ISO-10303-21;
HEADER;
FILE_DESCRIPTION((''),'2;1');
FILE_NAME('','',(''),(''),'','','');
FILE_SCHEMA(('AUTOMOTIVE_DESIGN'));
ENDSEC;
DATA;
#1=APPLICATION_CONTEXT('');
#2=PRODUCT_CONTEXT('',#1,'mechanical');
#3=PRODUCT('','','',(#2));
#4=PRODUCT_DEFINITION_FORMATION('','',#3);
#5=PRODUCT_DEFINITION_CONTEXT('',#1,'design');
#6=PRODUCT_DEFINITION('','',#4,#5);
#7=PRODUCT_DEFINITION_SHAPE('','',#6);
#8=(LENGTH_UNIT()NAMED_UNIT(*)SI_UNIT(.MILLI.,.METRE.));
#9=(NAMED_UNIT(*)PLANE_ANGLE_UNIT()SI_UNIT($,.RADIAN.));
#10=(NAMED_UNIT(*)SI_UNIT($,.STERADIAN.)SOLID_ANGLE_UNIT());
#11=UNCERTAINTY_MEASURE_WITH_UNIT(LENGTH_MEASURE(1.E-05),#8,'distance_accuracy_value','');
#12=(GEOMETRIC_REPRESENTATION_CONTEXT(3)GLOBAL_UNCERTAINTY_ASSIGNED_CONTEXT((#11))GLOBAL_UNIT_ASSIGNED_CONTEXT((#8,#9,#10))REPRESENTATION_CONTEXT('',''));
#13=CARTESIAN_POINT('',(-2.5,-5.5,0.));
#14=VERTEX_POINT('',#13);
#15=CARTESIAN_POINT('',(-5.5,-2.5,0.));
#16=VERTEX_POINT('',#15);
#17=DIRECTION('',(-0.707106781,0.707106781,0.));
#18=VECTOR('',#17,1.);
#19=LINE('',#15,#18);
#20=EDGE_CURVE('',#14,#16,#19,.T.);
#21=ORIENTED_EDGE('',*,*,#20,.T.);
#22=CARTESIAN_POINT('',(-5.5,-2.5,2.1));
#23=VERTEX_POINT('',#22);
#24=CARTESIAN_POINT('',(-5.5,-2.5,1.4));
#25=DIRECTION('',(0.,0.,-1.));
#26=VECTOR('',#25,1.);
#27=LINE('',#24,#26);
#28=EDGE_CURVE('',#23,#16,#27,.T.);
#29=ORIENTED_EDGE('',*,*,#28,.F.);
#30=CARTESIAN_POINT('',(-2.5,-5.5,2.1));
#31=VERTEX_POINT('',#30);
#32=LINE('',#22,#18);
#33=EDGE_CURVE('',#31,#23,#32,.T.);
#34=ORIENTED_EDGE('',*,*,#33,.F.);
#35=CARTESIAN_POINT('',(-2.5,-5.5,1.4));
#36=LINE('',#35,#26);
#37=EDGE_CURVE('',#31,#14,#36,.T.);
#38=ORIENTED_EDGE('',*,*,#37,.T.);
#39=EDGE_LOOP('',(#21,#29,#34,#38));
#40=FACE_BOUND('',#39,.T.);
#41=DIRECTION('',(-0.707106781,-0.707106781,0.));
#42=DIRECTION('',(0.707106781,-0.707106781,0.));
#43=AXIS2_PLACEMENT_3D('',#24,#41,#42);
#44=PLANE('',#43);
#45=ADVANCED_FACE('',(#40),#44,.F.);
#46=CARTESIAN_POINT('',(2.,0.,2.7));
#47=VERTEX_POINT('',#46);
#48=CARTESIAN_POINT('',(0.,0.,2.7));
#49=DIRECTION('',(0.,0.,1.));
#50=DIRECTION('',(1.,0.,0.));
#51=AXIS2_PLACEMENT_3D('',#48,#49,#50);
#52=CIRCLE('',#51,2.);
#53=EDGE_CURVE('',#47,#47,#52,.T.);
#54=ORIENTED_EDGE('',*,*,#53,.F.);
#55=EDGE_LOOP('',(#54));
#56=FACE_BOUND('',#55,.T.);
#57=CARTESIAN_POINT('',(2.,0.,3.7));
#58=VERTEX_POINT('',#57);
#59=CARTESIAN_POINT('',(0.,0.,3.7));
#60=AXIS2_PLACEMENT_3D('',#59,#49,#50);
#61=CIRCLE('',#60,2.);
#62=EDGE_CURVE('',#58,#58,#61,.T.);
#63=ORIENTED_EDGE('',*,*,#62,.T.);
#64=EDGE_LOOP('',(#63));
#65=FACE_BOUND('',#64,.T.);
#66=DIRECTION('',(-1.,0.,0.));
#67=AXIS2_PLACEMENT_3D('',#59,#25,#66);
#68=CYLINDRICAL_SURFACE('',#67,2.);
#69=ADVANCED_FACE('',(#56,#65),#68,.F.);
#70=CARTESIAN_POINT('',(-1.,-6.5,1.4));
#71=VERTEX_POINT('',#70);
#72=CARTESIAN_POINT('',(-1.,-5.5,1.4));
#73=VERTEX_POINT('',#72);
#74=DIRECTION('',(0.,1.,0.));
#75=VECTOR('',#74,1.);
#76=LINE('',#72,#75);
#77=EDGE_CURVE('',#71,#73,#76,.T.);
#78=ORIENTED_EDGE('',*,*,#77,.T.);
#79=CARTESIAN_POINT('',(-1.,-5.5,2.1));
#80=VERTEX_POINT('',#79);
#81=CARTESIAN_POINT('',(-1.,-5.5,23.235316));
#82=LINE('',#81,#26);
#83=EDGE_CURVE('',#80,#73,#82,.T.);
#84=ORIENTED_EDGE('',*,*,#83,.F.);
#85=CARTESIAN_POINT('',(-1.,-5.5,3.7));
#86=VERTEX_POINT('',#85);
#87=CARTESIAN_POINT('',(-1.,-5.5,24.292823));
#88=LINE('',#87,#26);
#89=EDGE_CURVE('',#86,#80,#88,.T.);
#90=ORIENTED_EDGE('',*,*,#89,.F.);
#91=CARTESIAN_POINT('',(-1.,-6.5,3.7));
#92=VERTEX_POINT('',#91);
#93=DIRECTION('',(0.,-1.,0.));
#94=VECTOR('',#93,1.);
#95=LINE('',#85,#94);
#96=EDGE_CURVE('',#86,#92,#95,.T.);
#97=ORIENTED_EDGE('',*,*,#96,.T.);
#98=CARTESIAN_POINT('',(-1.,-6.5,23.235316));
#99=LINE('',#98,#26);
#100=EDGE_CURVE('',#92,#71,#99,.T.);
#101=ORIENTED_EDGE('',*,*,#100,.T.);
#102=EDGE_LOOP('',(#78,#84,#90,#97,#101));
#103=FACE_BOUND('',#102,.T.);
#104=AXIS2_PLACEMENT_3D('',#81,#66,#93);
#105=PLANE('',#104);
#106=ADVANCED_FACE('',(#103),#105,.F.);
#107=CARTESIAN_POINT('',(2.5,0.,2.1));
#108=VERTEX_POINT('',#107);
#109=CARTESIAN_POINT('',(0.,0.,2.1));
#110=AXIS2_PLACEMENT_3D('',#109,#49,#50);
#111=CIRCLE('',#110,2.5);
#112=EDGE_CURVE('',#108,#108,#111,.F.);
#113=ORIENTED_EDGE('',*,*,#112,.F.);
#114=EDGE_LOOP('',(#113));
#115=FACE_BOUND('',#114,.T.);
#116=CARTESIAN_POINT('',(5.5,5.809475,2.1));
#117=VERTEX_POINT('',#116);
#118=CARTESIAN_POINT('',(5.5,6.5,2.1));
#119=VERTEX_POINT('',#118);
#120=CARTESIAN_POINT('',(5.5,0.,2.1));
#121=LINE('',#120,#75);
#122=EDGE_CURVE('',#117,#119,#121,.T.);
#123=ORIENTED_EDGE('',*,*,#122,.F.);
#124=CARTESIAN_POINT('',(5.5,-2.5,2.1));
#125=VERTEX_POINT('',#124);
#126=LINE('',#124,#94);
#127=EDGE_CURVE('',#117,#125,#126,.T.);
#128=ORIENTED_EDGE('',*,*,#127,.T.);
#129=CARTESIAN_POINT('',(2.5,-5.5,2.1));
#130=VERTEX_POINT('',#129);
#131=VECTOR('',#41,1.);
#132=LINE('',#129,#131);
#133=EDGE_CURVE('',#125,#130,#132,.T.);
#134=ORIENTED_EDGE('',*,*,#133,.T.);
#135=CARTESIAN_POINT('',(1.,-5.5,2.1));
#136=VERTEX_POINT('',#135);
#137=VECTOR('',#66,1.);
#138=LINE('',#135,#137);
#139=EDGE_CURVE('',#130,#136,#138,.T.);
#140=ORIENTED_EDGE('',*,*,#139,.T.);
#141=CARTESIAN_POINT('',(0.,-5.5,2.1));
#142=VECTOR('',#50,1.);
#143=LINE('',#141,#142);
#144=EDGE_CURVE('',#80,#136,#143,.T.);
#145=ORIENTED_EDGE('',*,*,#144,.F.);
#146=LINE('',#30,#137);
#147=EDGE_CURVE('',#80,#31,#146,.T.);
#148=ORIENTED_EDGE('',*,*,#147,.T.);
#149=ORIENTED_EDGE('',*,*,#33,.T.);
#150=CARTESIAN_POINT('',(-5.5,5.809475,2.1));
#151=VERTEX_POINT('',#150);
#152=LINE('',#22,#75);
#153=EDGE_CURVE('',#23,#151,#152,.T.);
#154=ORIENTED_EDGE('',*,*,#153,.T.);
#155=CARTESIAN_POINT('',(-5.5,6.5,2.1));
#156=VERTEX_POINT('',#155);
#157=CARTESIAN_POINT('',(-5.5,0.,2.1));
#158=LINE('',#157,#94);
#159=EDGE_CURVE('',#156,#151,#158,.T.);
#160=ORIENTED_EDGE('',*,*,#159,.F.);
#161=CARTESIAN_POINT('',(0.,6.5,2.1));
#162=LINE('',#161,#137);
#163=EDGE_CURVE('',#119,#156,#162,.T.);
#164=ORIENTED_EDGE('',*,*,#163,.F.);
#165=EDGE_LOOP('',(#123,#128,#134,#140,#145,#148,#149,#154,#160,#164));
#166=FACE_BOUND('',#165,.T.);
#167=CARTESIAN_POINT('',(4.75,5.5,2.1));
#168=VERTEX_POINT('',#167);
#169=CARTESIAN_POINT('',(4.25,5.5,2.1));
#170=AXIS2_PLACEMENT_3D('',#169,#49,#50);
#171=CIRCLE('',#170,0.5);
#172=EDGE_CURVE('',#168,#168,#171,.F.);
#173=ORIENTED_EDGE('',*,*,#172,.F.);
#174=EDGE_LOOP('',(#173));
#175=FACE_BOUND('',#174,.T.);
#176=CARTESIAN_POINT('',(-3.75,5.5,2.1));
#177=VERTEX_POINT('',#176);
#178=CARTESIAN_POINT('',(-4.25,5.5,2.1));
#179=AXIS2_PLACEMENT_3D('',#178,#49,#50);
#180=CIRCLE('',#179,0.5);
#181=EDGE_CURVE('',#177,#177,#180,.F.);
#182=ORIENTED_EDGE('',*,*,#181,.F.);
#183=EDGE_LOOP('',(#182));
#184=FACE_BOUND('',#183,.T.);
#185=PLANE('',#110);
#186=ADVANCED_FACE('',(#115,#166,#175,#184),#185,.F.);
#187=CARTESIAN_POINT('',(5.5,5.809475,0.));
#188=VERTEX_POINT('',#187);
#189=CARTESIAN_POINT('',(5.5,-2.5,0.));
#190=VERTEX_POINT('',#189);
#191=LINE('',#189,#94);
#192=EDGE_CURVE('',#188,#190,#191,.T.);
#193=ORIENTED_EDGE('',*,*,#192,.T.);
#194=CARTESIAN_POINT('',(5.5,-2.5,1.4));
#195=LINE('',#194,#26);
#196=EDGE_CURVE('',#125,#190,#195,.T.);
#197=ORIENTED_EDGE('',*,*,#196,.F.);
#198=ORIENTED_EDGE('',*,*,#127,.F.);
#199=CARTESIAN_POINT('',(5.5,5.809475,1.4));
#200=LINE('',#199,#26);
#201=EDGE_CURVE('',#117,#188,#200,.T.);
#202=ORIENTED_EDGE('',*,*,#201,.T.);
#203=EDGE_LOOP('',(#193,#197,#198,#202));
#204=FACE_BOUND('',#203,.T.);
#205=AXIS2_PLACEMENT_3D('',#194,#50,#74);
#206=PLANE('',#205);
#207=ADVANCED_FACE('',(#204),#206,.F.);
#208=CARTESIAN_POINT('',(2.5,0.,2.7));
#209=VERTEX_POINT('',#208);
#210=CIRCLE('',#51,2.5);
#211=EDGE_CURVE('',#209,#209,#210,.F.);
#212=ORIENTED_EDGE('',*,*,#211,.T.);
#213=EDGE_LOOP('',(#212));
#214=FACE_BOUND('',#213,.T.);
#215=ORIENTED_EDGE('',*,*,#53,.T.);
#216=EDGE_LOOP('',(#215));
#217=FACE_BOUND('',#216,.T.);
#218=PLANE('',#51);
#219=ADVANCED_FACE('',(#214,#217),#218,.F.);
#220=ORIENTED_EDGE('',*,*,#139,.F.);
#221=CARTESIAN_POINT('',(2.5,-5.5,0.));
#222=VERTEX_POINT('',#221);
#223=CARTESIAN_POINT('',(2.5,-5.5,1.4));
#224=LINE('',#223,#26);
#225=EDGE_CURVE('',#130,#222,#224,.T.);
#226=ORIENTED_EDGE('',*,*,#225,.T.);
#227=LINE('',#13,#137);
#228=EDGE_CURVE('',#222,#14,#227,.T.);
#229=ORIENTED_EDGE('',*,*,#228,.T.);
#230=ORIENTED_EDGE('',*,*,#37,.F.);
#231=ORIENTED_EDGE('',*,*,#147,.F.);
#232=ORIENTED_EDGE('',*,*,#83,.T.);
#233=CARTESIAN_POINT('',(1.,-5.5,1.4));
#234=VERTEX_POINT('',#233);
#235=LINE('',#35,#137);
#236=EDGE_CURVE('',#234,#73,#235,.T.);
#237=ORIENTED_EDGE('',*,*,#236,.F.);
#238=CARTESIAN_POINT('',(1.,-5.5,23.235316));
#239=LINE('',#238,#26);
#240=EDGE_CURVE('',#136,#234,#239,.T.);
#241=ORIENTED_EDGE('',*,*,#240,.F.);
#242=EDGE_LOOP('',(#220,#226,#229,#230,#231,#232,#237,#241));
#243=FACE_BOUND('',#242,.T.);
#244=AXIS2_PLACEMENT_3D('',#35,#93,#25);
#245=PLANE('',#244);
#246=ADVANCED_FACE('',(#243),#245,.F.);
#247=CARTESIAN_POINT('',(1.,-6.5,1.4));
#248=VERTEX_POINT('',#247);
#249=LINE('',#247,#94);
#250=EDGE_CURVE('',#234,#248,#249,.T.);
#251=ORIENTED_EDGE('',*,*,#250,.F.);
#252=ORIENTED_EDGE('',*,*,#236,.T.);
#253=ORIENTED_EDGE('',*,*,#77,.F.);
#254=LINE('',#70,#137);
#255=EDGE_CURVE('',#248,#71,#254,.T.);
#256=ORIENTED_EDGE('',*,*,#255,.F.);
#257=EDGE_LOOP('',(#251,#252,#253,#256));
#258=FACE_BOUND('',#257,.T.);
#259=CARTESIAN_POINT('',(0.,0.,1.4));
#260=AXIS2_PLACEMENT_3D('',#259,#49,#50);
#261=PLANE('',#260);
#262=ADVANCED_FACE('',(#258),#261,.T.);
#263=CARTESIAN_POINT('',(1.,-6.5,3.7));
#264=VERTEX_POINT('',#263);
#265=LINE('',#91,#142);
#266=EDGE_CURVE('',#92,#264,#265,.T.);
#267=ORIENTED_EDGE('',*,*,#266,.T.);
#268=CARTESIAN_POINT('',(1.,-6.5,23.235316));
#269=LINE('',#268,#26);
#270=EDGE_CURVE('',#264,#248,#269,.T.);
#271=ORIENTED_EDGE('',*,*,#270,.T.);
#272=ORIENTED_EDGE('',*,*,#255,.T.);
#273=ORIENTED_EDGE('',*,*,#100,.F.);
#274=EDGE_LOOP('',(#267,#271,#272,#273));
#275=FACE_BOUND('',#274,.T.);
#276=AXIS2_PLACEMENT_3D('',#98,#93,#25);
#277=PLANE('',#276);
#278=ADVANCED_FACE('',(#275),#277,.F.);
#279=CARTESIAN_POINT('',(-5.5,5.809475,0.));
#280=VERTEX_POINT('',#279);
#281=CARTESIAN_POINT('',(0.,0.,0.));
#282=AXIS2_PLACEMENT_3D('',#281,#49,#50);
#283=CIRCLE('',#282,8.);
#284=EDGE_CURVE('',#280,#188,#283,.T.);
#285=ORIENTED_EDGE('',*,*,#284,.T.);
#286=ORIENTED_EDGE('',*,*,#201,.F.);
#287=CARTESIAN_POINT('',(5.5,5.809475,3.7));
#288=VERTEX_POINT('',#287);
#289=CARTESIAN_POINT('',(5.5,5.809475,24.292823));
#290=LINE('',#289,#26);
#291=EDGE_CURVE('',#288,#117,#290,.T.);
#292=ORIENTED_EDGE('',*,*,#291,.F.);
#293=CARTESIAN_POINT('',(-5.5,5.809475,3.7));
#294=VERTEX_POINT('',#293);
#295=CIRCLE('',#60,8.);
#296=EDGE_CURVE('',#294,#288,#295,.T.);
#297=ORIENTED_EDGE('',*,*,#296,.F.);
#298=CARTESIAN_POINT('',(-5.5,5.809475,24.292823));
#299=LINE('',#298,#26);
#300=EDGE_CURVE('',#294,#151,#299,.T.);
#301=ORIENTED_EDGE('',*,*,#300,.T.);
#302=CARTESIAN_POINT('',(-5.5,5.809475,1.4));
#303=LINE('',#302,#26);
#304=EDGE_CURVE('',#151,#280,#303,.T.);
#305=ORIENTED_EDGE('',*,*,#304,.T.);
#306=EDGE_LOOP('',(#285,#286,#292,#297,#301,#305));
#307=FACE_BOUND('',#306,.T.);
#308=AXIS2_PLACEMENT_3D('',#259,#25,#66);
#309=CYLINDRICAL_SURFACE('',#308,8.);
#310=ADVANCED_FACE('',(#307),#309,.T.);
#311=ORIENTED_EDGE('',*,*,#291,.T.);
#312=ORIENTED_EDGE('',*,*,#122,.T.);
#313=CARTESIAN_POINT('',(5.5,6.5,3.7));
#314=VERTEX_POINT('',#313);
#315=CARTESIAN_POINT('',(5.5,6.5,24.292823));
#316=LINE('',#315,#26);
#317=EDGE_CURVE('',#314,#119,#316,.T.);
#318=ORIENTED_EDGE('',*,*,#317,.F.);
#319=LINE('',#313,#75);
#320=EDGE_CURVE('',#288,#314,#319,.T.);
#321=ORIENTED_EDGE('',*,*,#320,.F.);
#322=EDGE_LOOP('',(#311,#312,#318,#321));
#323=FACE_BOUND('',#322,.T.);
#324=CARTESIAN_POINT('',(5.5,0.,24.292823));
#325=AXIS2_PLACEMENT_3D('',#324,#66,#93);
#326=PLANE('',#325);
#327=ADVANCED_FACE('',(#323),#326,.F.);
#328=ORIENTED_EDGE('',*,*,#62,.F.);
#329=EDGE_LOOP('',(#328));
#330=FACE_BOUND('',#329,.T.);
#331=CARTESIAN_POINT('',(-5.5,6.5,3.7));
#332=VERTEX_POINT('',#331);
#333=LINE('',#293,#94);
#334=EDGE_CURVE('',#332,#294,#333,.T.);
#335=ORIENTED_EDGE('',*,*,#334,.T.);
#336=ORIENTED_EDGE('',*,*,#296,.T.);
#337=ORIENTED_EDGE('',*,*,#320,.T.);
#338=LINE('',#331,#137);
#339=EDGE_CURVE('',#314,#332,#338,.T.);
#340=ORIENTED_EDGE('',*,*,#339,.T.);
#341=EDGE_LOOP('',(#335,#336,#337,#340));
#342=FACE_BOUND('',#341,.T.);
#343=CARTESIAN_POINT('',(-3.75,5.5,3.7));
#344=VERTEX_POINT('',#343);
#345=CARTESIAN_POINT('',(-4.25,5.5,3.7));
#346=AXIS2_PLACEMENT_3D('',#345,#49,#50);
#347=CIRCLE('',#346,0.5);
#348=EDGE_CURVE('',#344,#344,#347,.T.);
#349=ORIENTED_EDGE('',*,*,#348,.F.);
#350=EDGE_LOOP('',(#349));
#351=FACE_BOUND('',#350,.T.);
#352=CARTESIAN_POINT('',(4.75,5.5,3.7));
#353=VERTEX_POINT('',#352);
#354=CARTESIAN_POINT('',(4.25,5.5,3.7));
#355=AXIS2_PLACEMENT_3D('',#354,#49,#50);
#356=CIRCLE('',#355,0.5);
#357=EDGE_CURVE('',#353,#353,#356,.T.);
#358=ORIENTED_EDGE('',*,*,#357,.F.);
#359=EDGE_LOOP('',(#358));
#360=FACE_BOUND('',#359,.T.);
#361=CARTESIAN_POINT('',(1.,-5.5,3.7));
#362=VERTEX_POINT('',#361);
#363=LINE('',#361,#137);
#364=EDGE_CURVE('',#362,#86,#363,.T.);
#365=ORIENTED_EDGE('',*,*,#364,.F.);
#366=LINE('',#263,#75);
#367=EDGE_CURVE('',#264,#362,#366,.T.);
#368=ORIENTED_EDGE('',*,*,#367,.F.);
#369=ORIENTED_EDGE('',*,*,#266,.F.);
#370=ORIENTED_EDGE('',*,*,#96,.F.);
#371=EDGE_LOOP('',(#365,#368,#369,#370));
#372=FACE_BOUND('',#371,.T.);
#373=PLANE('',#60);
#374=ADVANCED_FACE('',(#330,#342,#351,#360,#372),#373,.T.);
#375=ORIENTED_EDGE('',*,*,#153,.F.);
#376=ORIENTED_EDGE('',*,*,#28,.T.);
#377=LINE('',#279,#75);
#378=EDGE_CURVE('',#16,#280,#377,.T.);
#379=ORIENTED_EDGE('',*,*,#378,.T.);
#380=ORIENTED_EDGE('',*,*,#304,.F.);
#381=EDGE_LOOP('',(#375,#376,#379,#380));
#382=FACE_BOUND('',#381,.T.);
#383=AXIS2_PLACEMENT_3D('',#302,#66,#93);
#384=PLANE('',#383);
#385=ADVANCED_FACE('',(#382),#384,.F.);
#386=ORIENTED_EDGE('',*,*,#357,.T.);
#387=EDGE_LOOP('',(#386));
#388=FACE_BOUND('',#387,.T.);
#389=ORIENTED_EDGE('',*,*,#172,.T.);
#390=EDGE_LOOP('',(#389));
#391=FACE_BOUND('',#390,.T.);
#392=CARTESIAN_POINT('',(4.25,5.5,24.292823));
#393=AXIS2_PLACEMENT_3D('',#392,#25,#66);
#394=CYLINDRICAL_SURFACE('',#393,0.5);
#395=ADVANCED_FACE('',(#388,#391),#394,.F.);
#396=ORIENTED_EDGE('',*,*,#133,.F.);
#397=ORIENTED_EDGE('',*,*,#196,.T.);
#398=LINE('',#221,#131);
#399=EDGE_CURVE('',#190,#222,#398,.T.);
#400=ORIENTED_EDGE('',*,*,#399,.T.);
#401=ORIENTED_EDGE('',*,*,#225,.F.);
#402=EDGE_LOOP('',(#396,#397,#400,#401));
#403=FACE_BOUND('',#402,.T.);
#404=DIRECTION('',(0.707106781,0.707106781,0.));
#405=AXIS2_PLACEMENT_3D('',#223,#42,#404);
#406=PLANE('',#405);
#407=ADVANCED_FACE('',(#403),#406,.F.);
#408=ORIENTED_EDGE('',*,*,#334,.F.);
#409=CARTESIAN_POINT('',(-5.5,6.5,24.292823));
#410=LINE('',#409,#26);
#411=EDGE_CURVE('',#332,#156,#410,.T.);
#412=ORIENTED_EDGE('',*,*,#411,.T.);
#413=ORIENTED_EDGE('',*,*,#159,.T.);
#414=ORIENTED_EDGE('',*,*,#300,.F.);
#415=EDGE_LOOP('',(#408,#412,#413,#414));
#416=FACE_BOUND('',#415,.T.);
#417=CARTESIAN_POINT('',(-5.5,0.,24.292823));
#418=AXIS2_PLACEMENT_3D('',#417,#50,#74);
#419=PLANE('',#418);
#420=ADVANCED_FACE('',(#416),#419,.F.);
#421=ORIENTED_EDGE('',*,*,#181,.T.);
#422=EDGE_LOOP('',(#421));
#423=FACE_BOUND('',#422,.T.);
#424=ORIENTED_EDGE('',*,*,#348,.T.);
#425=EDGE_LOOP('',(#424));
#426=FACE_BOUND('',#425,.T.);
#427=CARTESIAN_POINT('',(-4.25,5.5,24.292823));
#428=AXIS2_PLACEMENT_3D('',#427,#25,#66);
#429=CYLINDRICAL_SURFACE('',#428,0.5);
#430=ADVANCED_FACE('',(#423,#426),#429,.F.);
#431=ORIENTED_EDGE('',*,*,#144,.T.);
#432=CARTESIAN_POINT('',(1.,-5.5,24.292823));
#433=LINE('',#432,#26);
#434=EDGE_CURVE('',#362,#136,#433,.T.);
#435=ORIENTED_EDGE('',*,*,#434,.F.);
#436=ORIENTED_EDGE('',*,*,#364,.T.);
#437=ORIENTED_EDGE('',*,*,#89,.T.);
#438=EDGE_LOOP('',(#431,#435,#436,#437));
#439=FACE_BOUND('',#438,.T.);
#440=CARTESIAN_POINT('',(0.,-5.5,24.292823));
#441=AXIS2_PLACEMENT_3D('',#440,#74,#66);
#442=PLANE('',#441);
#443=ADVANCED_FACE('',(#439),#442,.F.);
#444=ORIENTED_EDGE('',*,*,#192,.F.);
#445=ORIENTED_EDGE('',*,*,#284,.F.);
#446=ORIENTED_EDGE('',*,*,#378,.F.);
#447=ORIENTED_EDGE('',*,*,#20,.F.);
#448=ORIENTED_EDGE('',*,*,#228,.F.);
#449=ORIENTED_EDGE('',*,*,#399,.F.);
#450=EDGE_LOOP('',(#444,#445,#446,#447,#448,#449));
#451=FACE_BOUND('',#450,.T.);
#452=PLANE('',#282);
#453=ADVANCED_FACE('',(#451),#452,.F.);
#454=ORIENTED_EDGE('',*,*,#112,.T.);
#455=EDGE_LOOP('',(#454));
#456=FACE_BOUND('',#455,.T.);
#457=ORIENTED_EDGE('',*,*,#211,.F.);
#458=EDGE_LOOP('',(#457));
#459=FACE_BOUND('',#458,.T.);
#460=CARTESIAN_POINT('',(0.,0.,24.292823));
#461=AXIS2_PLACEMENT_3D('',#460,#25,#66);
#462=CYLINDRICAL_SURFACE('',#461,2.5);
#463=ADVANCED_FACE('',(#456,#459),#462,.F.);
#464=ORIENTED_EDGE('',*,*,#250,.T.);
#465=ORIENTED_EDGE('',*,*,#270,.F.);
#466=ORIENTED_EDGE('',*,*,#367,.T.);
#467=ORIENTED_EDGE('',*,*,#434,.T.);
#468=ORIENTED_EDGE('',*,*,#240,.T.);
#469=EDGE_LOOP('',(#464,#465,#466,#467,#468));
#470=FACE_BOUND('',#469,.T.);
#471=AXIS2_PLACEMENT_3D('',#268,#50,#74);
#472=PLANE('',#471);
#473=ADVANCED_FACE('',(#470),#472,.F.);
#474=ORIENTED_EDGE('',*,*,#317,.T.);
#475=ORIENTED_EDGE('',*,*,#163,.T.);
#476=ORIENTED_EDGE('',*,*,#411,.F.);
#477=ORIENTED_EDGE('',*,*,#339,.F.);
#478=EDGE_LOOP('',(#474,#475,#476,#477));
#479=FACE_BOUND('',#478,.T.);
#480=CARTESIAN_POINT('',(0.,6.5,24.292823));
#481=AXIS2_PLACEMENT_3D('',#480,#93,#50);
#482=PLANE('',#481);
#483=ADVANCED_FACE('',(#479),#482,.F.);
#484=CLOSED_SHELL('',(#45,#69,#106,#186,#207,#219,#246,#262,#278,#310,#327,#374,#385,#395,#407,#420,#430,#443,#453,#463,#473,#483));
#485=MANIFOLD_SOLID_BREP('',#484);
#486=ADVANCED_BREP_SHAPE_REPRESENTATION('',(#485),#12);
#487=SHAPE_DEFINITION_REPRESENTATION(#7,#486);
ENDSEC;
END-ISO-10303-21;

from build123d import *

# Parameters (mm, degrees)
BOSS_EXTRUDE1_DEPTH = 1.4
BOSS_EXTRUDE2_DEPTH = 0.7
SKETCH3_R           = 0.5
SKETCH3_R_2         = 2.5
BOSS_EXTRUDE3_DEPTH = 0.6
SKETCH4_R           = 2
SKETCH4_R_2         = 0.5
SKETCH4_W           = 2
SKETCH4_H           = 1
BOSS_EXTRUDE4_DEPTH = 1


with BuildPart() as part:
    # Sketch1 → Boss-Extrude1 (new body)
    with BuildSketch(Plane.XY):
        with BuildLine():
            Line((-5.5, 5.809475019), (-5.5, -2.5))
            Line((-5.5, -2.5), (-2.5, -5.5))
            Line((-2.5, -5.5), (2.5, -5.5))
            Line((2.5, -5.5), (5.5, -2.5))
            Line((5.5, -2.5), (5.5, 5.809475019))
            ThreePointArc((5.5, 5.809475019), (0, -8), (-5.5, 5.809475019))
        make_face()
    extrude(amount=BOSS_EXTRUDE1_DEPTH)

    # Sketch2 → Boss-Extrude2 (add)
    with BuildSketch(Plane.XY.offset(1.4)):
        with BuildLine():
            Line((-1, -5.5), (-1, -6.5))
            Line((-1, -6.5), (1, -6.5))
            Line((1, -6.5), (1, -5.5))
            Line((1, -5.5), (2.5, -5.5))
            Line((2.5, -5.5), (5.5, -2.5))
            Line((5.5, -2.5), (5.5, 5.809475019))
            ThreePointArc((5.5, 5.809475019), (0, -8), (-5.5, 5.809475019))
            Line((-5.5, 5.809475019), (-5.5, -2.5))
            Line((-5.5, -2.5), (-2.5, -5.5))
            Line((-2.5, -5.5), (-1, -5.5))
        make_face()
    extrude(amount=BOSS_EXTRUDE2_DEPTH)

    # Sketch3 → Boss-Extrude3 (add)
    # profile 1 of 2: a face of its own
    with BuildSketch(Plane.XY.offset(2.1)):
        Polygon((2.5, -5.5), (5.5, -2.5), (5.5, 6.5), (-5.5, 6.5), (-5.5, -2.5), (-2.5, -5.5), align=None)
        with Locations((4.250000001, 5.5)):
            Circle(SKETCH3_R, mode=Mode.SUBTRACT)
        Circle(SKETCH3_R_2, mode=Mode.SUBTRACT)
        with Locations((-4.249999999, 5.5)):
            Circle(SKETCH3_R, mode=Mode.SUBTRACT)
    # profile 2 of 2: a face of its own
    with BuildSketch(Plane.XY.offset(2.1)):
        with BuildLine():
            Line((-1, -6.5), (-1, -5.5))
            Line((-1, -5.5), (-2.5, -5.5))
            Line((-2.5, -5.5), (-5.5, -2.5))
            Line((-5.5, -2.5), (-5.5, 5.809475019))
            ThreePointArc((-5.5, 5.809475019), (0, -8), (5.5, 5.809475019))
            Line((5.5, 5.809475019), (5.5, -2.5))
            Line((5.5, -2.5), (2.5, -5.5))
            Line((2.5, -5.5), (1, -5.5))
            Line((1, -5.5), (1, -6.5))
            Line((1, -6.5), (-1, -6.5))
        make_face()
    extrude(amount=BOSS_EXTRUDE3_DEPTH)

    # Sketch4 → Boss-Extrude4 (add)
    with BuildSketch(Plane.XY.offset(2.7)):
        with BuildLine():
            Line((-5.5, 5.809475019), (-5.5, 6.5))
            Line((-5.5, 6.5), (5.5, 6.5))
            Line((5.5, 6.5), (5.5, 5.809475019))
            ThreePointArc((5.5, 5.809475019), (0, -8), (-5.5, 5.809475019))
        make_face()
        Circle(SKETCH4_R, mode=Mode.SUBTRACT)
        with Locations((-4.249999999, 5.5)):
            Circle(SKETCH4_R_2, mode=Mode.SUBTRACT)
        with Locations((4.250000001, 5.5)):
            Circle(SKETCH4_R_2, mode=Mode.SUBTRACT)
        with Locations((0, -6)):
            Rectangle(SKETCH4_W, SKETCH4_H, mode=Mode.SUBTRACT)
    extrude(amount=BOSS_EXTRUDE4_DEPTH)


solid = part.part
